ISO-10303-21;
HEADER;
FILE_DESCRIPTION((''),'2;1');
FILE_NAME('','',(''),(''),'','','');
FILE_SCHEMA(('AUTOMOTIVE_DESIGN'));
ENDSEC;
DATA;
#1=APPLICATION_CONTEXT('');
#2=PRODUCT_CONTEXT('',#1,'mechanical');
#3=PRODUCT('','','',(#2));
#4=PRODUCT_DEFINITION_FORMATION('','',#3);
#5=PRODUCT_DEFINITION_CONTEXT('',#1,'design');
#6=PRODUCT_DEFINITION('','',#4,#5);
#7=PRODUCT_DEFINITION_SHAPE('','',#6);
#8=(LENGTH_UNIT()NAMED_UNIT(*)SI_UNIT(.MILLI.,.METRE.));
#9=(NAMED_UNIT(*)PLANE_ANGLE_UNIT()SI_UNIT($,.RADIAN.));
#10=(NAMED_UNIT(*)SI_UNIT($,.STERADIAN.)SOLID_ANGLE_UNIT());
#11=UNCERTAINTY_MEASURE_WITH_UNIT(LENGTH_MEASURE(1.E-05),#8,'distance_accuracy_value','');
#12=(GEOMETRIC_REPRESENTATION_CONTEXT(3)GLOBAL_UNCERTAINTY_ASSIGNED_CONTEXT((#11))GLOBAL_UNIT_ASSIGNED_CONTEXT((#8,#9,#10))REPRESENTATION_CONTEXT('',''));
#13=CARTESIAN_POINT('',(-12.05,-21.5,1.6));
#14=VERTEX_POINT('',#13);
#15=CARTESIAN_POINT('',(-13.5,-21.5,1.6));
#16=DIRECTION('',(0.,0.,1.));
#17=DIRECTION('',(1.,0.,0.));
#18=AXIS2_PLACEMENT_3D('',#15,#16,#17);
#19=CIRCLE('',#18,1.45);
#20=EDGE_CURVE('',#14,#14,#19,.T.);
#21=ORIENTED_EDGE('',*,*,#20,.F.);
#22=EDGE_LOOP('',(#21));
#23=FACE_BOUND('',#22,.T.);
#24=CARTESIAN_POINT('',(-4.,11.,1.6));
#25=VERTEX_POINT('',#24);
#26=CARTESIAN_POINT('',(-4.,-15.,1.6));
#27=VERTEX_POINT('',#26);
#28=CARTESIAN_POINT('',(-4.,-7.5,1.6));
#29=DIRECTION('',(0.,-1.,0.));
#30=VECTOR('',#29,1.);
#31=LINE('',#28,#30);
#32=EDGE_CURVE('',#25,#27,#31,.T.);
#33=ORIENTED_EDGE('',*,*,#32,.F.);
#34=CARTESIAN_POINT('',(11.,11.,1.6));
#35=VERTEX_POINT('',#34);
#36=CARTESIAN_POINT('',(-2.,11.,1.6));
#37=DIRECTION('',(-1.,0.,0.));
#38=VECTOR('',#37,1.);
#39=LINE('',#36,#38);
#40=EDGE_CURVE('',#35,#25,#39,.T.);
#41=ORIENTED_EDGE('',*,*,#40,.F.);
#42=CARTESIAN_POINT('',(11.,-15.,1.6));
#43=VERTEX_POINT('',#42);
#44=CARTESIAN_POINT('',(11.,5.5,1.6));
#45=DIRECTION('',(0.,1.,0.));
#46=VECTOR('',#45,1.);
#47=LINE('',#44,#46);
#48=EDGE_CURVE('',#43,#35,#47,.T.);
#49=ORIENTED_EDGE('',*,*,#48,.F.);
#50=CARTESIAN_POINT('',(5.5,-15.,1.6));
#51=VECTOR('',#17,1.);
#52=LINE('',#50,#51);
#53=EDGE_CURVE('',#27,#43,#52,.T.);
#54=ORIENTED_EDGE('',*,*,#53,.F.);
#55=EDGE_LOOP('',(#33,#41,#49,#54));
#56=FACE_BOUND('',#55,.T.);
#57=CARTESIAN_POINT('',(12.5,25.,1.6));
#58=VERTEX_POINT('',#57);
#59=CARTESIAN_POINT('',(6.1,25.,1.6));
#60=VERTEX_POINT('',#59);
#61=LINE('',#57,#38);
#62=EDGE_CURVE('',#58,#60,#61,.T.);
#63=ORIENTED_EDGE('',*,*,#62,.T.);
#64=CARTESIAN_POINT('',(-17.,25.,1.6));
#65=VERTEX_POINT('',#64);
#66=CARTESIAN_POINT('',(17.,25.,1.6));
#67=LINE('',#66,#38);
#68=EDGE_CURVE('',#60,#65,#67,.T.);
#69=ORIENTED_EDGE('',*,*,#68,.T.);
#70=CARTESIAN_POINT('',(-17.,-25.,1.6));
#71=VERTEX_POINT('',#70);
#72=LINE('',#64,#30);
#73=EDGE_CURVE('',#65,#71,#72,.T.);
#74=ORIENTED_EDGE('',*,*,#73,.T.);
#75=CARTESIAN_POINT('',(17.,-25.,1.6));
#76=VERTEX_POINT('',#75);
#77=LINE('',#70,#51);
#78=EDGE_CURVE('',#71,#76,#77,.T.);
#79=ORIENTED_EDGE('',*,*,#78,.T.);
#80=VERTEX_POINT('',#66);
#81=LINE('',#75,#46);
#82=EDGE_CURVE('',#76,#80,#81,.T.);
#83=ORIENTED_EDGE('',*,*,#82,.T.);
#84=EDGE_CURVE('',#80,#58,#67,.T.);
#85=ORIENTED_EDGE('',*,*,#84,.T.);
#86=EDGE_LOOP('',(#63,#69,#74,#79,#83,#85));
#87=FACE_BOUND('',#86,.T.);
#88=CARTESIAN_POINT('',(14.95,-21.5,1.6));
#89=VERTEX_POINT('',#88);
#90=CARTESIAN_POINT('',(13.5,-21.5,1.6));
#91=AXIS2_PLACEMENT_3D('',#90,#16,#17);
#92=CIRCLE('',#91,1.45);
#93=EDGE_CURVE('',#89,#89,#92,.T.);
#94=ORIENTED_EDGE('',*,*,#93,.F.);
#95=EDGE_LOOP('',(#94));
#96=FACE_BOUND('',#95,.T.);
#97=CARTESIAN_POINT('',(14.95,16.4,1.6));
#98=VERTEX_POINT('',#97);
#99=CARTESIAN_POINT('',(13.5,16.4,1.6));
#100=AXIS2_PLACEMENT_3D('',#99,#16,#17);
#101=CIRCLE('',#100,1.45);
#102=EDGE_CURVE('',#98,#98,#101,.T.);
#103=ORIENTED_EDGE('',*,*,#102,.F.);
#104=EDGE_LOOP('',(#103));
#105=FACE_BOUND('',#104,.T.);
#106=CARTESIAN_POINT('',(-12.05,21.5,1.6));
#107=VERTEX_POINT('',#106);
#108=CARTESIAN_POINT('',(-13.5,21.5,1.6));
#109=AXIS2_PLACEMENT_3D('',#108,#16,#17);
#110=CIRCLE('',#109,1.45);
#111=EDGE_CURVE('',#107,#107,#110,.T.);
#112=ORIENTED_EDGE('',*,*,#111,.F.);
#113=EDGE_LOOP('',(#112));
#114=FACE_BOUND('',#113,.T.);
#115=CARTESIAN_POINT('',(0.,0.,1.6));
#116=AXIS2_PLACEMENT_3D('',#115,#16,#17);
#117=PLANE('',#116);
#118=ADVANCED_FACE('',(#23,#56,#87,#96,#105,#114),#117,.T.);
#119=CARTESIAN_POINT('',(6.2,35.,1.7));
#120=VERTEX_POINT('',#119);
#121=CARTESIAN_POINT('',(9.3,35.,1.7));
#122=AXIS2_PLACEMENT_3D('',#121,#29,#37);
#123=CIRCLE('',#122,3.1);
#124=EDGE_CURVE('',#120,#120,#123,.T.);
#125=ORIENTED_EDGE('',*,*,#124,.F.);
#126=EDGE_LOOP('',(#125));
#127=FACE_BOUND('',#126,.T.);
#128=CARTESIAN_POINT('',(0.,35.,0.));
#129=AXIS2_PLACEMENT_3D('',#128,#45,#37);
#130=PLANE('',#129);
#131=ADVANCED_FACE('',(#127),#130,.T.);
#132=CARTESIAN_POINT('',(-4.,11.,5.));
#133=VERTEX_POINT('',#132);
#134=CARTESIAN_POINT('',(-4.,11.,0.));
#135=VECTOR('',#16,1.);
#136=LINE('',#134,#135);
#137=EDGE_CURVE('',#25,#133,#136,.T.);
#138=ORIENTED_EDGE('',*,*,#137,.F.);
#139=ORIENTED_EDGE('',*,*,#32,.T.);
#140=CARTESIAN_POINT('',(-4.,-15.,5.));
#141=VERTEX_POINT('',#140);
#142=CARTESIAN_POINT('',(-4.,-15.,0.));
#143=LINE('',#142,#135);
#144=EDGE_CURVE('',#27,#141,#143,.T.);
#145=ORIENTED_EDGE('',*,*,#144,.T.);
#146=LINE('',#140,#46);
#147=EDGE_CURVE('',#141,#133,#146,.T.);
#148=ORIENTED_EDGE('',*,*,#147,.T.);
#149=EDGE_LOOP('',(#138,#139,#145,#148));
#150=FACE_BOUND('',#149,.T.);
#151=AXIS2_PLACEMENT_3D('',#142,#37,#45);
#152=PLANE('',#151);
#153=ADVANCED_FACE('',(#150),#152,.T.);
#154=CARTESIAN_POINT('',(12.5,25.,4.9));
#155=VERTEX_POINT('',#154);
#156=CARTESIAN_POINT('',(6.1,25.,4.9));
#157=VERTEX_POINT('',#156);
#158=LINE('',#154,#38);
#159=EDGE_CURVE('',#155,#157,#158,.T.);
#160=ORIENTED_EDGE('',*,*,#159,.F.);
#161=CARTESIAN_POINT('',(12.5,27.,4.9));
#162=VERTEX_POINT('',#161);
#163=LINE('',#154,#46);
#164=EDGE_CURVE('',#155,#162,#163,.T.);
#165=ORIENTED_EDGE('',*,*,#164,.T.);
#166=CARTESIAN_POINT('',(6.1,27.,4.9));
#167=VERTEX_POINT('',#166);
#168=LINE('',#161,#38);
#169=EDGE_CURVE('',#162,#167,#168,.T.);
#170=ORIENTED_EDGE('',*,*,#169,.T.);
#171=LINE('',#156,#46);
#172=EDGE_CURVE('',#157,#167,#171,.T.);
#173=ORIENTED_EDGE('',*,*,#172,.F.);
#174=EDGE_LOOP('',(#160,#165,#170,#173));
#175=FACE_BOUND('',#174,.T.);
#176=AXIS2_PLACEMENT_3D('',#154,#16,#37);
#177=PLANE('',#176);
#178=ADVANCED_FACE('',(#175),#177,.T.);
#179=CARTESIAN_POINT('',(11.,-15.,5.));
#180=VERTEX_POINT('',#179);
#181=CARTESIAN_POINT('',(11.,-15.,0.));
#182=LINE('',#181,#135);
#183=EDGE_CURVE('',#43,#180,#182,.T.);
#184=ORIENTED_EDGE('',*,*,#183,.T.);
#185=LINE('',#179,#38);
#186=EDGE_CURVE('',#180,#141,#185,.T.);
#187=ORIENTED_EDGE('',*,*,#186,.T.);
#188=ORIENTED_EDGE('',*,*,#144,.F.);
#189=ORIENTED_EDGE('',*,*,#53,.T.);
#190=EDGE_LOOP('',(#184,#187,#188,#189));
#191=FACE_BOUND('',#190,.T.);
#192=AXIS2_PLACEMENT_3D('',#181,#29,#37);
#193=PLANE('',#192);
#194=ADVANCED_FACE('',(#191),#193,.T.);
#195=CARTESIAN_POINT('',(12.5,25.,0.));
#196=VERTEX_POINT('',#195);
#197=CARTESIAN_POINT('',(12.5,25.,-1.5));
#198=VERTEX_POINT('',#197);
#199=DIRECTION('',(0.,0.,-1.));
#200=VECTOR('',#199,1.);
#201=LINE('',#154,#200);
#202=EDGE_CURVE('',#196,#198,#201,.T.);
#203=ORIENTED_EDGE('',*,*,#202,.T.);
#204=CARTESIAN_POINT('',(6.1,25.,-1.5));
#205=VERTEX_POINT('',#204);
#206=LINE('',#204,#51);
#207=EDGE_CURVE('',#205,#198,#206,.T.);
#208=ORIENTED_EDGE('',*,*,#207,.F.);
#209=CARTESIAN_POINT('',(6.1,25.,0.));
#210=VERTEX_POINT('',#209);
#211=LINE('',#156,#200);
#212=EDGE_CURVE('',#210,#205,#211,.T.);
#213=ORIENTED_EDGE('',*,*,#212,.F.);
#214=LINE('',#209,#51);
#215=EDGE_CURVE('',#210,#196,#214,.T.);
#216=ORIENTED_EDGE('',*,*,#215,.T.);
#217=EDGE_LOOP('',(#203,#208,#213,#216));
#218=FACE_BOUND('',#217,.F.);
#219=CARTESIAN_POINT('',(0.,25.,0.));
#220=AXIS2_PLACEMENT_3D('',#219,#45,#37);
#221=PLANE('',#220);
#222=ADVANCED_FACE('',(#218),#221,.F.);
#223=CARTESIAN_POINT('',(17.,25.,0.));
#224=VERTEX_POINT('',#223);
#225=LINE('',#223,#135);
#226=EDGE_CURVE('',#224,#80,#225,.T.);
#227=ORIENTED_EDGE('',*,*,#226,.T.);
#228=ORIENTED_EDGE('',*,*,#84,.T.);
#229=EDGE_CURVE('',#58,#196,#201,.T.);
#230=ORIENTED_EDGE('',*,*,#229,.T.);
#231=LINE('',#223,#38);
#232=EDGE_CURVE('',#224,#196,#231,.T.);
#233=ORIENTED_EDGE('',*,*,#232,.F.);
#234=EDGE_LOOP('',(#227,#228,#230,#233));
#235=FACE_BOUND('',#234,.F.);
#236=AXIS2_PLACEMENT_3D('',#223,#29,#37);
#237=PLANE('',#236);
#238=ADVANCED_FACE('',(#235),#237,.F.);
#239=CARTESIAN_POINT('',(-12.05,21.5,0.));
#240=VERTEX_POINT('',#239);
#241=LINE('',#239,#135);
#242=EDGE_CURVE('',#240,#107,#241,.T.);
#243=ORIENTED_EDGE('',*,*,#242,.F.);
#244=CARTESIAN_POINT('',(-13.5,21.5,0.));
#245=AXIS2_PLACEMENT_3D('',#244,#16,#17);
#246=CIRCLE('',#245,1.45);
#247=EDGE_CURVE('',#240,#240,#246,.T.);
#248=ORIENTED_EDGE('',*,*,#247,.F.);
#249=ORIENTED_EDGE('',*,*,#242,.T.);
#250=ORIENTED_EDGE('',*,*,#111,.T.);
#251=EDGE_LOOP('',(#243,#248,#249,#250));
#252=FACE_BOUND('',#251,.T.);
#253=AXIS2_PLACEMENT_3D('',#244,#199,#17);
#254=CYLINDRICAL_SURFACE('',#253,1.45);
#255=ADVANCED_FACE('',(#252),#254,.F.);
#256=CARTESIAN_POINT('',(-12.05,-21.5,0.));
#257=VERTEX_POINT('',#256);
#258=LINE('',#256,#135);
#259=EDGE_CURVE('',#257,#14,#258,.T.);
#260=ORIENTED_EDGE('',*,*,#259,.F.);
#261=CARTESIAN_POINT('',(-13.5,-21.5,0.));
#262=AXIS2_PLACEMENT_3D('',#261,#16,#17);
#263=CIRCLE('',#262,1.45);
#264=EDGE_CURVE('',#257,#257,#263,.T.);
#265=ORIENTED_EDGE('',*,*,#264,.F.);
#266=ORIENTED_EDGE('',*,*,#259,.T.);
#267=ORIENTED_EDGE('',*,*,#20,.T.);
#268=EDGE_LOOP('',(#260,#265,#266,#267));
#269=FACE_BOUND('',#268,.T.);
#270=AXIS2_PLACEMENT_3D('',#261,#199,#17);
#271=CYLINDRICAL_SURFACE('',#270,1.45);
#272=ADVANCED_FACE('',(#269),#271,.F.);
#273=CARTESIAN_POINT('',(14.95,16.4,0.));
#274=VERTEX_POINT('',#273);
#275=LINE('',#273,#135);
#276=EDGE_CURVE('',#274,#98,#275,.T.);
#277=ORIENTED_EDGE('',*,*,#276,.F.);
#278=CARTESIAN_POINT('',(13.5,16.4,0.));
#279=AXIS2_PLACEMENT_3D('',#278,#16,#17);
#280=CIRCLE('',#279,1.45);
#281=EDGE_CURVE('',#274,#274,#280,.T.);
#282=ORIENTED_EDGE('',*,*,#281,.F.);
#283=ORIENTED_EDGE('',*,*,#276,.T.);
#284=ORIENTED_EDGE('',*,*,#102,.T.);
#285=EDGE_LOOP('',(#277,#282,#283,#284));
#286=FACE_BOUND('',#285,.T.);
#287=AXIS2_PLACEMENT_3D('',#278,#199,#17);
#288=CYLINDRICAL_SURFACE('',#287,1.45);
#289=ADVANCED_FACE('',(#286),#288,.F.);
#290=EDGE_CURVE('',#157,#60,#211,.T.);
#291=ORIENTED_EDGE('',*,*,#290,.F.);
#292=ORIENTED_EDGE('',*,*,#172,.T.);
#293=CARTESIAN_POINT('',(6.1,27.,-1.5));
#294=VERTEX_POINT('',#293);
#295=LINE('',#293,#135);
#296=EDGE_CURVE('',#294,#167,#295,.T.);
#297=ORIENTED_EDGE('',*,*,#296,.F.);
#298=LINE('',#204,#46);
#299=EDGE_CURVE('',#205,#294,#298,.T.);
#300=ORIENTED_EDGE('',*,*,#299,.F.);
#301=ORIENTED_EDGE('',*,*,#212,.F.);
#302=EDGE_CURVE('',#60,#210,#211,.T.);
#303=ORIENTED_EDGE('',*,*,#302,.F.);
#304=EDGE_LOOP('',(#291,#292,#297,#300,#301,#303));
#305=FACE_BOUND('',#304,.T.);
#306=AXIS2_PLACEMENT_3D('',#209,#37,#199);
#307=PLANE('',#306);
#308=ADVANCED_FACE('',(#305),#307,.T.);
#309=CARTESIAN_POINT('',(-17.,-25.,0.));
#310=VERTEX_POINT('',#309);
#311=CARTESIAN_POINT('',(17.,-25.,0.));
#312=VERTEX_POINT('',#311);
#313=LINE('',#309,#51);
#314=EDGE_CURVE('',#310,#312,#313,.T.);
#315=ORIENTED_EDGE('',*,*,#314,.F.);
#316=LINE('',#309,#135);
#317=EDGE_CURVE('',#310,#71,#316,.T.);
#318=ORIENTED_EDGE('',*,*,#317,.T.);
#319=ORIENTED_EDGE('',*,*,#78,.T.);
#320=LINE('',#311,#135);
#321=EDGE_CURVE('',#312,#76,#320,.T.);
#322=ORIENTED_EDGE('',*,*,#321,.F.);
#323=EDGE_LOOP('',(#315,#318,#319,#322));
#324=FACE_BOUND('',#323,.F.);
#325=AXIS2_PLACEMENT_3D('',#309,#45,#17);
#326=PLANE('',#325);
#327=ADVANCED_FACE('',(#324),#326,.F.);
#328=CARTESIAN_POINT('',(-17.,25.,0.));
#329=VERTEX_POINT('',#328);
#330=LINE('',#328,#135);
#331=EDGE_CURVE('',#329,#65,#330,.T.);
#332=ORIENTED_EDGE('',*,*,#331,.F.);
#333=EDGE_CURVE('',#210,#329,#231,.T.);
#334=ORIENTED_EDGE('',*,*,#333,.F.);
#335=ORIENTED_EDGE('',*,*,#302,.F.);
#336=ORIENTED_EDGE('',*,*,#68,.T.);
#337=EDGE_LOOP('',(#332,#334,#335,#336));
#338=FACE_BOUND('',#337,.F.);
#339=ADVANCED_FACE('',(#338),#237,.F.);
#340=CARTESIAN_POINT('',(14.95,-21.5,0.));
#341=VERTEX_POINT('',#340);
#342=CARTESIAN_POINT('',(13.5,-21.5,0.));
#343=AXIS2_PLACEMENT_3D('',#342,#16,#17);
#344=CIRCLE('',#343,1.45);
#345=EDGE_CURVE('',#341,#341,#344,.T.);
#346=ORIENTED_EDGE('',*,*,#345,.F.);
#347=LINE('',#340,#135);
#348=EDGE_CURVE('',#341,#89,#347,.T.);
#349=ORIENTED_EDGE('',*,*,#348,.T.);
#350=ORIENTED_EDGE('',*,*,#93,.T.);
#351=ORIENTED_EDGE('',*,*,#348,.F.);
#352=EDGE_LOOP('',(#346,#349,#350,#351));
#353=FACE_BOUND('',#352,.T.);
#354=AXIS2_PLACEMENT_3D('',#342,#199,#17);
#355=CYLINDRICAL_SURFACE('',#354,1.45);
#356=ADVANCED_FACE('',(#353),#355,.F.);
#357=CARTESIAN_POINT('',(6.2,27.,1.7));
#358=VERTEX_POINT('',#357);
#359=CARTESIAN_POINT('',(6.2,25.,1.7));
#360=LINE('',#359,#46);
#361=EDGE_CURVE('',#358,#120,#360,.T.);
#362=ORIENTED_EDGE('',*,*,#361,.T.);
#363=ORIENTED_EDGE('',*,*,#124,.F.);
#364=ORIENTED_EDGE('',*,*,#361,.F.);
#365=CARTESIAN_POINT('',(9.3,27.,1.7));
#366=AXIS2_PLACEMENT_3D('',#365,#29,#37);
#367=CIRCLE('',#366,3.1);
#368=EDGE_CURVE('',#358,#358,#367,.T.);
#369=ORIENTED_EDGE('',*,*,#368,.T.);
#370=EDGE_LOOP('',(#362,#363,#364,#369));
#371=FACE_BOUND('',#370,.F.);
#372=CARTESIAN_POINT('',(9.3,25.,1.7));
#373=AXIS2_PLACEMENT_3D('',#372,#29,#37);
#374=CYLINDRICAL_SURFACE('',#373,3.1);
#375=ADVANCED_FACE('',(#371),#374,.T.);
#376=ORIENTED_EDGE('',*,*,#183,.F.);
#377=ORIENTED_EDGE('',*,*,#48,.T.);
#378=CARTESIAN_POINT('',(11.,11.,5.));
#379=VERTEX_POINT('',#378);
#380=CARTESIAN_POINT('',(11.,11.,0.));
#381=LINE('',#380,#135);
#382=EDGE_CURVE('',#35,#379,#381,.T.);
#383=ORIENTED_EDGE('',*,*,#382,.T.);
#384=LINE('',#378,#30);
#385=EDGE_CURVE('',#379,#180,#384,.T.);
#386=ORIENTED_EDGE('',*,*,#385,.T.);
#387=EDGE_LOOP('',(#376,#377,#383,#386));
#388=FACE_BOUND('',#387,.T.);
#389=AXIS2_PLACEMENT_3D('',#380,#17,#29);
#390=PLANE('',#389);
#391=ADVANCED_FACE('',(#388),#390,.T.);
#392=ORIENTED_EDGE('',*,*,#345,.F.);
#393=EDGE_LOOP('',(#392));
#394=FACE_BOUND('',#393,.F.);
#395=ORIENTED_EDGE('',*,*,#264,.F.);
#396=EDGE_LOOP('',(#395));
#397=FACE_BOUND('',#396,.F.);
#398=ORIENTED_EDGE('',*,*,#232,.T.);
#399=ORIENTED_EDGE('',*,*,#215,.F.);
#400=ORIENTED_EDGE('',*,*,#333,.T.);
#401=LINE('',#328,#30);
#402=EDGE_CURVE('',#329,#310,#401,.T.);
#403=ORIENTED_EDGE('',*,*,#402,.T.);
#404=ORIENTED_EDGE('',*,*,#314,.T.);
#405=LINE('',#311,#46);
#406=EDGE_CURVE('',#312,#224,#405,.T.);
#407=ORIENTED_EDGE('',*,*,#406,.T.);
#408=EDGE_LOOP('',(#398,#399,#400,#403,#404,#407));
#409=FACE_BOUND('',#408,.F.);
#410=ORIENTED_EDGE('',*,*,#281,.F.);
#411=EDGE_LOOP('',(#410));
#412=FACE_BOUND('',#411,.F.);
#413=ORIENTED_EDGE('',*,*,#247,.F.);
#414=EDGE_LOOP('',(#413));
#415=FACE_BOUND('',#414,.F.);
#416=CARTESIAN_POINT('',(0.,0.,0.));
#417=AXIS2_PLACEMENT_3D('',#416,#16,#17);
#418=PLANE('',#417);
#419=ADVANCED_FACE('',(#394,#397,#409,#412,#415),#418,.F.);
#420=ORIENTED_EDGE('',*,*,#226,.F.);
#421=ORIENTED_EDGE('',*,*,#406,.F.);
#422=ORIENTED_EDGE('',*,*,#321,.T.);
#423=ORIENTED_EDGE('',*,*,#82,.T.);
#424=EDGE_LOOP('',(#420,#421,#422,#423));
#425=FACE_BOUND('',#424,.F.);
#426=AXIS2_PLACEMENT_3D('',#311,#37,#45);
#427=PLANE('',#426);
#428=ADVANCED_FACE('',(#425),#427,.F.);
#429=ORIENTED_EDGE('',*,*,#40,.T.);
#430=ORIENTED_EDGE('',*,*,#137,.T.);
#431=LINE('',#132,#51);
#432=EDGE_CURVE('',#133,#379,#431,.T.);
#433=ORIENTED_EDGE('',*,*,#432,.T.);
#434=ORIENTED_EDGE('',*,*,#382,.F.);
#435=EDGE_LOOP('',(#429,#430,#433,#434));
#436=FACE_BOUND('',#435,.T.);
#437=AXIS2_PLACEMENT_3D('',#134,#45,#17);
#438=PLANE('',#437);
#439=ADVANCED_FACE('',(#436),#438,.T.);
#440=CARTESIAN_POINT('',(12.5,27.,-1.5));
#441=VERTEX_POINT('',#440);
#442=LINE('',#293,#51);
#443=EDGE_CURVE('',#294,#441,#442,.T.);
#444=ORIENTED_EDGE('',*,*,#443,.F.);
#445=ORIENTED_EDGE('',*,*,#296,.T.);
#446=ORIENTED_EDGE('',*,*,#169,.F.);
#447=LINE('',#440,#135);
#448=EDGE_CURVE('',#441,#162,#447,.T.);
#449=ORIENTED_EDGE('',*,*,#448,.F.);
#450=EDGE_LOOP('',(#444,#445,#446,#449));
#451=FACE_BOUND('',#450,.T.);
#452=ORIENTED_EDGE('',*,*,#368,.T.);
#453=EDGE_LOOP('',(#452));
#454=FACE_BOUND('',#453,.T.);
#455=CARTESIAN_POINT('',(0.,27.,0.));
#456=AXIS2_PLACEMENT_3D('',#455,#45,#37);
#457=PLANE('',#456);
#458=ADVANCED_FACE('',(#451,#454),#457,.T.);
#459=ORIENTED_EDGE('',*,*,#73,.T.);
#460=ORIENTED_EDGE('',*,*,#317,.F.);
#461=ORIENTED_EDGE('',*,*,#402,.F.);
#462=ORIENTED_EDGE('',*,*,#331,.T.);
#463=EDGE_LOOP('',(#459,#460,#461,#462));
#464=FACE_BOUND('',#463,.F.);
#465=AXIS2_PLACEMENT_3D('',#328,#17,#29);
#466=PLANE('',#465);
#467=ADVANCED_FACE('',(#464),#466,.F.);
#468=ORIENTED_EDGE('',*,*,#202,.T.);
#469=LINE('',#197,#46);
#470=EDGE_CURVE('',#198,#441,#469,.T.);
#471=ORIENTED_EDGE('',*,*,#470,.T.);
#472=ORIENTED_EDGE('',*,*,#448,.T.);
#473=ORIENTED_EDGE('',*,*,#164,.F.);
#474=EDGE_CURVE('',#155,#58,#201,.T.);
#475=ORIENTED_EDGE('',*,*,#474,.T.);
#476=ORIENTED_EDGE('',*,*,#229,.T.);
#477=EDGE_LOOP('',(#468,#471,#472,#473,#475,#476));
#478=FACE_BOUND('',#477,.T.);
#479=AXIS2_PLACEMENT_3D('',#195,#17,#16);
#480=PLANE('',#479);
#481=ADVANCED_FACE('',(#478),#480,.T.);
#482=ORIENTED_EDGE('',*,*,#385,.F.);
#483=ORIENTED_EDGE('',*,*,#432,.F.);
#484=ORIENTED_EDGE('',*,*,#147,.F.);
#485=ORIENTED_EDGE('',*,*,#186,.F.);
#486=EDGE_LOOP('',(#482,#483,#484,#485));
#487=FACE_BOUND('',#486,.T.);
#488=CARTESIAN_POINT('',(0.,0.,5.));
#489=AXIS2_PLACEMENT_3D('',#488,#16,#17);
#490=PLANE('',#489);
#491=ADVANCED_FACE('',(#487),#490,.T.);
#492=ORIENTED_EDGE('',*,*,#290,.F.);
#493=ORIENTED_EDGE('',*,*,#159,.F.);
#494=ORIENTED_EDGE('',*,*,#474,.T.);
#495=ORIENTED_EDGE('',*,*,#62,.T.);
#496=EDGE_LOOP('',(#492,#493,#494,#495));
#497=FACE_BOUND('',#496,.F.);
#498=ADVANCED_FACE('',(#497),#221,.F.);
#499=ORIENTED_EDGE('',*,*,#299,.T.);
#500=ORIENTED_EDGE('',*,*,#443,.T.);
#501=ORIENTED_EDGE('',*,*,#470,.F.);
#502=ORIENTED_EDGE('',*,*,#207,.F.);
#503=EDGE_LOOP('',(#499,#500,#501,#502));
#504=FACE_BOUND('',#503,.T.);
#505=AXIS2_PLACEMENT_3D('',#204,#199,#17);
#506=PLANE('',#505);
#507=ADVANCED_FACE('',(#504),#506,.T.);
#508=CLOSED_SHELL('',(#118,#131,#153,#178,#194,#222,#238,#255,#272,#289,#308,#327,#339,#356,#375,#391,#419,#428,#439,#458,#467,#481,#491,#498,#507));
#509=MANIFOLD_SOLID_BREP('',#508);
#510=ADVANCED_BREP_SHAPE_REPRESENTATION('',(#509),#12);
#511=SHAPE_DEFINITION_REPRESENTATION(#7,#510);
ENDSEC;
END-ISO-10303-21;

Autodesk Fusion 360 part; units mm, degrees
sketch "Sketch1" plane through (0, 0, 0) normal (0, 0, 1) x (1, 0, 0)
  line L0 (17, 25) -> (-17, 25)
  line L1 (-17, 25) -> (-17, -25)
  line L2 (-17, -25) -> (17, -25)
  line L3 (17, -25) -> (17, 25)
  line L4 (17, 25) -> (-17, -25) construction
  line L5 (-17, 25) -> (17, -25) construction
  circle A0 centre (-13.5, 21.5) radius 1.45
  line L6 (-20, 0) -> (19, 0) construction
  circle A1 centre (-13.5, -21.5) radius 1.45
  line L7 (0, -29) -> (0, 26) construction
  circle A2 centre (13.5, -21.5) radius 1.45
  circle A3 centre (13.5, 16.4) radius 1.45
  line L8 (-4, 11) -> (11, 11)
  line L9 (11, 11) -> (11, -15)
  line L10 (11, -15) -> (-4, -15)
  line L11 (-4, -15) -> (-4, 11)
  dimension "d1" = 34
  dimension "d2" = 50
  dimension "d3" = 2.9
  dimension "d4" = 3.5
  dimension "d5" = 3.5
  dimension "d6" = 2.9
  dimension "d7" = 3.5
  dimension "d8" = 8.6
extrude "Extrude1" add sketch "Sketch1" along normal blind 1.6 contours L0 L1 L2 L3 | L8 L9 L10 L11
extrude "Extrude2" add sketch "Sketch1" along normal blind 5 contours L8 L9 L10 L11
sketch "Sketch2" plane through (0, 25, 0) normal (0, 1, 0) x (-1, 0, 0)
  line L0 (-17, 0) -> (17, 0)
  line L1 (17, 0) -> (17, 1.6)
  line L2 (17, 1.6) -> (-17, 1.6)
  line L3 (-17, 1.6) -> (-17, 0)
  line L4 (-6.1, -1.5) -> (-12.5, -1.5)
  line L5 (-12.5, -1.5) -> (-12.5, 4.9)
  line L6 (-12.5, 4.9) -> (-6.1, 4.9)
  line L7 (-6.1, 4.9) -> (-6.1, -1.5)
  line L8 (-17, 0) -> (17, 0)
  line L9 (-6.1, -1.5) -> (-12.5, 4.9) construction
  line L10 (-12.5, -1.5) -> (-6.1, 4.9) construction
  circle A0 centre (-9.3, 1.7) radius 3.1
  dimension "d13" = 6.4
  dimension "d14" = 6.4
  dimension "d15" = 4.5
  dimension "d16" = 1.5
  dimension "d17" = 6.2
extrude "Extrude3" add sketch "Sketch2" along normal blind 2 contours L0 L2 L5 L8 A0 | L0 L4 L5 L7 L8 A0 | L0 L2 L8 A0 | L0 L8 A0 | L2 L5 L6 L7 A0 | L0 L2 L7 L8 A0 | L2 A0
extrude "Extrude4" add sketch "Sketch2" along normal blind 10 contours L0 L2 L8 A0 | L0 L8 A0 | L2 A0
equation "d4 = 2 mm + 1.5 mm"
equation "d8 = 7.1 mm + 1.5 mm"
